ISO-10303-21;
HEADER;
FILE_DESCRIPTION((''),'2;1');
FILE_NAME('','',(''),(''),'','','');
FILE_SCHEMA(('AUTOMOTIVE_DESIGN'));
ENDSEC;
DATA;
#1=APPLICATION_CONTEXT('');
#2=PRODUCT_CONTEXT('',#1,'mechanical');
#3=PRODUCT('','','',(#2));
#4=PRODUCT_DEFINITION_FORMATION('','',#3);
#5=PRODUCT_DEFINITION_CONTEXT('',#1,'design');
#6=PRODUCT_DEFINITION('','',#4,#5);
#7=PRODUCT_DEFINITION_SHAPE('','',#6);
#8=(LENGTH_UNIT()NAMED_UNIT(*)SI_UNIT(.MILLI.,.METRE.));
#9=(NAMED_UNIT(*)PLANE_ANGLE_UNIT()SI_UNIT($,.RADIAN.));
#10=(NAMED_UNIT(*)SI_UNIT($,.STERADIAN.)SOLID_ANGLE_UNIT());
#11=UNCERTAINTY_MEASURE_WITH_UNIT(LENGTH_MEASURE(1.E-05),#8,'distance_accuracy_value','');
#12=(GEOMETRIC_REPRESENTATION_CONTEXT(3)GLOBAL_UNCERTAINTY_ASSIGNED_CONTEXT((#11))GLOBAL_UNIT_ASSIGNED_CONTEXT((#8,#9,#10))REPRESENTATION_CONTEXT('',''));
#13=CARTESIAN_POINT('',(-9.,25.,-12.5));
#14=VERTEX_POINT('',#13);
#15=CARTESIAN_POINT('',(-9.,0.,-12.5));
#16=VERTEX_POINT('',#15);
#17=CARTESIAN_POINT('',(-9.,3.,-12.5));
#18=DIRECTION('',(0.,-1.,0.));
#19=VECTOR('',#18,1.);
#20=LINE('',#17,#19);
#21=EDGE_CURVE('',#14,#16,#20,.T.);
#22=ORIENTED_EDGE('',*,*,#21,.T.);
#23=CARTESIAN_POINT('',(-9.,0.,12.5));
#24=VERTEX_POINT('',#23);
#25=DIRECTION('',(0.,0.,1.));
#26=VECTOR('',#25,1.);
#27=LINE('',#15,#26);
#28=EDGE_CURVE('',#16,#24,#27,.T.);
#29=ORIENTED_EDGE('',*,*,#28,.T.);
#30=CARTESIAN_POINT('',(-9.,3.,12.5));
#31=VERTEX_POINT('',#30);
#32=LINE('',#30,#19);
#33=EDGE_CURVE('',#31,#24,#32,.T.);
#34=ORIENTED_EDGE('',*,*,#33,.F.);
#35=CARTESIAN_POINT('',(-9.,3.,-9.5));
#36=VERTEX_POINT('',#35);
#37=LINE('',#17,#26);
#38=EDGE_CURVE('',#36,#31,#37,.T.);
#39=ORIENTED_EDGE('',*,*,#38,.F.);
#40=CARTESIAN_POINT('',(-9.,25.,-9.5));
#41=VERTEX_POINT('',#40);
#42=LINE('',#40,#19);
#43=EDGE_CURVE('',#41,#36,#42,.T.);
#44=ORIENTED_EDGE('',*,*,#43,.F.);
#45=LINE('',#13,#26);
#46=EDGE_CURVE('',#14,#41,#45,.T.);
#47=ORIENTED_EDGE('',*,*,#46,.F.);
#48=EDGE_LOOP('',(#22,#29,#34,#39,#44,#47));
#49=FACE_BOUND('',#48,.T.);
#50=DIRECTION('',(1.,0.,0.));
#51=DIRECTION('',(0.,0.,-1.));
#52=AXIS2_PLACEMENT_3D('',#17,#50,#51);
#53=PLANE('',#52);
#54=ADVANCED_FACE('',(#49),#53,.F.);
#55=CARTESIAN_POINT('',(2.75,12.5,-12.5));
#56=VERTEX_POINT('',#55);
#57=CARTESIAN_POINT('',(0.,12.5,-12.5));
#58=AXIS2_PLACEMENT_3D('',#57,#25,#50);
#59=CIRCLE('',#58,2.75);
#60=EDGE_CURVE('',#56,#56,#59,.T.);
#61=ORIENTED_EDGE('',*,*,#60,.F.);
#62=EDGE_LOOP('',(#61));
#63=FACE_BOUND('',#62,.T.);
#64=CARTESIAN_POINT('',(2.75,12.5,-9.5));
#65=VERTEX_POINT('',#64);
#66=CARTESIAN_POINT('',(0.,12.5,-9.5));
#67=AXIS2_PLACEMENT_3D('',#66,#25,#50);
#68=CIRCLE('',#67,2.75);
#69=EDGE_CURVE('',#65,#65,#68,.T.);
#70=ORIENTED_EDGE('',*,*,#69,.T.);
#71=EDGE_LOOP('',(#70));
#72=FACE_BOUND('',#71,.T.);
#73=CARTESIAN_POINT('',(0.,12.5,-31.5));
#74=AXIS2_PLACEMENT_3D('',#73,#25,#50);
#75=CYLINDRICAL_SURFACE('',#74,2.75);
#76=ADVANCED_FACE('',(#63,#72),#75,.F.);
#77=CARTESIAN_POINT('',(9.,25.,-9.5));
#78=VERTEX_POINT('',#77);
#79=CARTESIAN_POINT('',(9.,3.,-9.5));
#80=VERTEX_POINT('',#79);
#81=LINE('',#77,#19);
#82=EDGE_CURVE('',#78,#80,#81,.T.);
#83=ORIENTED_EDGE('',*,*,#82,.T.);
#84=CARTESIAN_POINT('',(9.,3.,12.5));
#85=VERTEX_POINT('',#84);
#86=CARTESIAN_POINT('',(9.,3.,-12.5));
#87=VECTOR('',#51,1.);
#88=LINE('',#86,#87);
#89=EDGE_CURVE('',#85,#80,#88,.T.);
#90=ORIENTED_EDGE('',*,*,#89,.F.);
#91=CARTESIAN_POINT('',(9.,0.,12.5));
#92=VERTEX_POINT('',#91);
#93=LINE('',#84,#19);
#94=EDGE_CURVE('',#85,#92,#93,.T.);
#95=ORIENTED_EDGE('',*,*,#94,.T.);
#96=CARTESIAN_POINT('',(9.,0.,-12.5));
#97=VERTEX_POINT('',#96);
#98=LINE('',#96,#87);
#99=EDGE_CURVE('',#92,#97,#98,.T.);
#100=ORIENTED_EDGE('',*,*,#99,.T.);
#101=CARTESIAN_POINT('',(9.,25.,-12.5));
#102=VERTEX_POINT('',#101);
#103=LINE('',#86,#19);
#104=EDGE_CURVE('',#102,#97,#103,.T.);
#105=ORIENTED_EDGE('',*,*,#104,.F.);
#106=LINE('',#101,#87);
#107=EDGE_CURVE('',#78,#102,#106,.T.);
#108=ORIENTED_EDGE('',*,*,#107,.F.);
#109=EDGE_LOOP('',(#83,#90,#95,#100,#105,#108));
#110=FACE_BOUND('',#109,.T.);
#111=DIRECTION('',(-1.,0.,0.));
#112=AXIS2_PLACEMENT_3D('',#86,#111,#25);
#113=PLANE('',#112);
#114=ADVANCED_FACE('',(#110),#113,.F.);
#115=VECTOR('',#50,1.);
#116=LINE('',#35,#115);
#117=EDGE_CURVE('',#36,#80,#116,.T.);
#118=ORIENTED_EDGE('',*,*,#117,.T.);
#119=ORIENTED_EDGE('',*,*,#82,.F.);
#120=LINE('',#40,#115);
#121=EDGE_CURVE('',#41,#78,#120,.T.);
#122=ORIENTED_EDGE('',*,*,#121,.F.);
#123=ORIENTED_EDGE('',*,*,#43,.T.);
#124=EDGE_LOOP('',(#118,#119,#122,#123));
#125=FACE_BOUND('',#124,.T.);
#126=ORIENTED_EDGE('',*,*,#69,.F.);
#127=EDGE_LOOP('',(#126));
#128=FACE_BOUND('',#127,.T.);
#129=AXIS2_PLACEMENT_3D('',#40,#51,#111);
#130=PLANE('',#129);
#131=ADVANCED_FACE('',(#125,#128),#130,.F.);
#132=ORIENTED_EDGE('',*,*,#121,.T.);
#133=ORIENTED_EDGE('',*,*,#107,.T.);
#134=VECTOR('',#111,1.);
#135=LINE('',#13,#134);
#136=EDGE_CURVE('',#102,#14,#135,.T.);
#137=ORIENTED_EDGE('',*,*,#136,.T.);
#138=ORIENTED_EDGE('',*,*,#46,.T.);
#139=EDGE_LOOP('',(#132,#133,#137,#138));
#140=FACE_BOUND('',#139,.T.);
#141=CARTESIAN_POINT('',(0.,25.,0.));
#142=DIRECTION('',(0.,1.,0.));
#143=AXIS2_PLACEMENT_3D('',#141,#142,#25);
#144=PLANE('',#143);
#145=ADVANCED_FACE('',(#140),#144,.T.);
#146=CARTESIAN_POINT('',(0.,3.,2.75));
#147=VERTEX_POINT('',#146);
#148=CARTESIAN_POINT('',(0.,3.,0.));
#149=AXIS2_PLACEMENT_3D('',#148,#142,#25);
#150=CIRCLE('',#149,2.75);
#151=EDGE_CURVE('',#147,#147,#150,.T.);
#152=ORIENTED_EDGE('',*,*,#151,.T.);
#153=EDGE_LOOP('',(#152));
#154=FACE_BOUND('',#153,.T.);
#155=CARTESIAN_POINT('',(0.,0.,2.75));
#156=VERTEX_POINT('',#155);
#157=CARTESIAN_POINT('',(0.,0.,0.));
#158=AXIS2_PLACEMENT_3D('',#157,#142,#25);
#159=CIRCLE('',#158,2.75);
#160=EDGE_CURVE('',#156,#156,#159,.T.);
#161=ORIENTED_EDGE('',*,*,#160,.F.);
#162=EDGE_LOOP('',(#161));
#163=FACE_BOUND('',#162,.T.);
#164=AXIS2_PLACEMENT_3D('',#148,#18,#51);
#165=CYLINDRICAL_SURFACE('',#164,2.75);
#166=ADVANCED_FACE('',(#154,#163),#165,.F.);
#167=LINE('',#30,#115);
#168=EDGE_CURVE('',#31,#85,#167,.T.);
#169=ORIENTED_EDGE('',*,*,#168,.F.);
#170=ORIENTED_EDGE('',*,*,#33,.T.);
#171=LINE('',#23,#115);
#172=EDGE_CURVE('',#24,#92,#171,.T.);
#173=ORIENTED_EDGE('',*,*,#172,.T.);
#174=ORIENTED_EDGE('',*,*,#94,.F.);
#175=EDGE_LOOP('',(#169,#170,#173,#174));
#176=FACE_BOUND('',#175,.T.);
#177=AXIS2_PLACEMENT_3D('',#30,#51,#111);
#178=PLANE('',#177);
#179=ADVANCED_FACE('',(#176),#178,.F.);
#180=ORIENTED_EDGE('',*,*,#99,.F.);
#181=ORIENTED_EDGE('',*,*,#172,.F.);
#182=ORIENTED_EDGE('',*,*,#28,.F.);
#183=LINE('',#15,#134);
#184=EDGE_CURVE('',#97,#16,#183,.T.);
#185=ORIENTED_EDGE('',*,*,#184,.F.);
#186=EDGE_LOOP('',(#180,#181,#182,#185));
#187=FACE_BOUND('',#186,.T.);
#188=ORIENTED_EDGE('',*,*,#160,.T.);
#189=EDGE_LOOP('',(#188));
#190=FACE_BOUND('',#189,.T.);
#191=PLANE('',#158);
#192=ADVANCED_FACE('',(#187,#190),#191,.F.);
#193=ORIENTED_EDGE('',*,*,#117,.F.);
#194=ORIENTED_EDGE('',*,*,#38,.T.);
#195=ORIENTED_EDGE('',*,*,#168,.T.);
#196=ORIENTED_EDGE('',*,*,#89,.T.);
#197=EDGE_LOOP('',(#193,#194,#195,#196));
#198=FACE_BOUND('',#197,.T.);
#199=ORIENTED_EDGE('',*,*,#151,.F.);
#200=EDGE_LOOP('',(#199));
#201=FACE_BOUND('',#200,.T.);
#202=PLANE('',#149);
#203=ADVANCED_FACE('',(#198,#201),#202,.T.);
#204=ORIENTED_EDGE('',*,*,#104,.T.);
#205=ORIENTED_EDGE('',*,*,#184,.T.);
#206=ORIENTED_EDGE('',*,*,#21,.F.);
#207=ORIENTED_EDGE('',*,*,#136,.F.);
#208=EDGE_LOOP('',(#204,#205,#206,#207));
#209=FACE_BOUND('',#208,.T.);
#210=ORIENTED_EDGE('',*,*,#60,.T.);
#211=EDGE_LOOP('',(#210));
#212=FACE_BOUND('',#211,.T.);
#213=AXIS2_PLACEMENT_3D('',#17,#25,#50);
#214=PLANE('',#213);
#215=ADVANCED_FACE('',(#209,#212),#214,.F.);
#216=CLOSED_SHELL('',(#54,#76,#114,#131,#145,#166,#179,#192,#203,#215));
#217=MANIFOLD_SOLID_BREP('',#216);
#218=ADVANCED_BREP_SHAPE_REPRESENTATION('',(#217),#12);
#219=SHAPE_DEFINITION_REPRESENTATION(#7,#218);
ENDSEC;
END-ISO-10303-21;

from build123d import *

# Parameters (mm, degrees)
SKETCH_1_W          = 18
SKETCH_1_H          = 25
SKETCH_1_R          = 2.75
EXTRUDE_1_DEPTH     = 3
SKETCH_2_W          = 18
SKETCH_2_H          = 3
EXTRUDE_2_DEPTH     = 22
SKETCH_3_R          = 2.75
CUT_EXTRUDE_1_DEPTH = 22


with BuildPart() as part:
    # 草图1 → 凸台-拉伸1 (new body)
    with BuildSketch(Plane(origin=(0, 0, 0), x_dir=(1, 0, 0), z_dir=(0, 1, 0))):
        Rectangle(SKETCH_1_W, SKETCH_1_H)
        with Locations(Location((0, 0, 0), (0, 0, 270))):
            Circle(SKETCH_1_R, mode=Mode.SUBTRACT)
    extrude(amount=EXTRUDE_1_DEPTH)

    # 草图2 → 凸台-拉伸2 (add)
    with BuildSketch(Plane(origin=(0, 3, 0), x_dir=(1, 0, 0), z_dir=(0, 1, 0))):
        with Locations((0, 11)):
            Rectangle(SKETCH_2_W, SKETCH_2_H)
    extrude(amount=EXTRUDE_2_DEPTH)

    # 草图3 → 切除-拉伸1 (cut)
    with BuildSketch(Plane.XY.offset(-9.5)):
        with Locations((0, 12.5)):
            Circle(SKETCH_3_R)
    extrude(amount=-CUT_EXTRUDE_1_DEPTH, mode=Mode.SUBTRACT)


solid = part.part
